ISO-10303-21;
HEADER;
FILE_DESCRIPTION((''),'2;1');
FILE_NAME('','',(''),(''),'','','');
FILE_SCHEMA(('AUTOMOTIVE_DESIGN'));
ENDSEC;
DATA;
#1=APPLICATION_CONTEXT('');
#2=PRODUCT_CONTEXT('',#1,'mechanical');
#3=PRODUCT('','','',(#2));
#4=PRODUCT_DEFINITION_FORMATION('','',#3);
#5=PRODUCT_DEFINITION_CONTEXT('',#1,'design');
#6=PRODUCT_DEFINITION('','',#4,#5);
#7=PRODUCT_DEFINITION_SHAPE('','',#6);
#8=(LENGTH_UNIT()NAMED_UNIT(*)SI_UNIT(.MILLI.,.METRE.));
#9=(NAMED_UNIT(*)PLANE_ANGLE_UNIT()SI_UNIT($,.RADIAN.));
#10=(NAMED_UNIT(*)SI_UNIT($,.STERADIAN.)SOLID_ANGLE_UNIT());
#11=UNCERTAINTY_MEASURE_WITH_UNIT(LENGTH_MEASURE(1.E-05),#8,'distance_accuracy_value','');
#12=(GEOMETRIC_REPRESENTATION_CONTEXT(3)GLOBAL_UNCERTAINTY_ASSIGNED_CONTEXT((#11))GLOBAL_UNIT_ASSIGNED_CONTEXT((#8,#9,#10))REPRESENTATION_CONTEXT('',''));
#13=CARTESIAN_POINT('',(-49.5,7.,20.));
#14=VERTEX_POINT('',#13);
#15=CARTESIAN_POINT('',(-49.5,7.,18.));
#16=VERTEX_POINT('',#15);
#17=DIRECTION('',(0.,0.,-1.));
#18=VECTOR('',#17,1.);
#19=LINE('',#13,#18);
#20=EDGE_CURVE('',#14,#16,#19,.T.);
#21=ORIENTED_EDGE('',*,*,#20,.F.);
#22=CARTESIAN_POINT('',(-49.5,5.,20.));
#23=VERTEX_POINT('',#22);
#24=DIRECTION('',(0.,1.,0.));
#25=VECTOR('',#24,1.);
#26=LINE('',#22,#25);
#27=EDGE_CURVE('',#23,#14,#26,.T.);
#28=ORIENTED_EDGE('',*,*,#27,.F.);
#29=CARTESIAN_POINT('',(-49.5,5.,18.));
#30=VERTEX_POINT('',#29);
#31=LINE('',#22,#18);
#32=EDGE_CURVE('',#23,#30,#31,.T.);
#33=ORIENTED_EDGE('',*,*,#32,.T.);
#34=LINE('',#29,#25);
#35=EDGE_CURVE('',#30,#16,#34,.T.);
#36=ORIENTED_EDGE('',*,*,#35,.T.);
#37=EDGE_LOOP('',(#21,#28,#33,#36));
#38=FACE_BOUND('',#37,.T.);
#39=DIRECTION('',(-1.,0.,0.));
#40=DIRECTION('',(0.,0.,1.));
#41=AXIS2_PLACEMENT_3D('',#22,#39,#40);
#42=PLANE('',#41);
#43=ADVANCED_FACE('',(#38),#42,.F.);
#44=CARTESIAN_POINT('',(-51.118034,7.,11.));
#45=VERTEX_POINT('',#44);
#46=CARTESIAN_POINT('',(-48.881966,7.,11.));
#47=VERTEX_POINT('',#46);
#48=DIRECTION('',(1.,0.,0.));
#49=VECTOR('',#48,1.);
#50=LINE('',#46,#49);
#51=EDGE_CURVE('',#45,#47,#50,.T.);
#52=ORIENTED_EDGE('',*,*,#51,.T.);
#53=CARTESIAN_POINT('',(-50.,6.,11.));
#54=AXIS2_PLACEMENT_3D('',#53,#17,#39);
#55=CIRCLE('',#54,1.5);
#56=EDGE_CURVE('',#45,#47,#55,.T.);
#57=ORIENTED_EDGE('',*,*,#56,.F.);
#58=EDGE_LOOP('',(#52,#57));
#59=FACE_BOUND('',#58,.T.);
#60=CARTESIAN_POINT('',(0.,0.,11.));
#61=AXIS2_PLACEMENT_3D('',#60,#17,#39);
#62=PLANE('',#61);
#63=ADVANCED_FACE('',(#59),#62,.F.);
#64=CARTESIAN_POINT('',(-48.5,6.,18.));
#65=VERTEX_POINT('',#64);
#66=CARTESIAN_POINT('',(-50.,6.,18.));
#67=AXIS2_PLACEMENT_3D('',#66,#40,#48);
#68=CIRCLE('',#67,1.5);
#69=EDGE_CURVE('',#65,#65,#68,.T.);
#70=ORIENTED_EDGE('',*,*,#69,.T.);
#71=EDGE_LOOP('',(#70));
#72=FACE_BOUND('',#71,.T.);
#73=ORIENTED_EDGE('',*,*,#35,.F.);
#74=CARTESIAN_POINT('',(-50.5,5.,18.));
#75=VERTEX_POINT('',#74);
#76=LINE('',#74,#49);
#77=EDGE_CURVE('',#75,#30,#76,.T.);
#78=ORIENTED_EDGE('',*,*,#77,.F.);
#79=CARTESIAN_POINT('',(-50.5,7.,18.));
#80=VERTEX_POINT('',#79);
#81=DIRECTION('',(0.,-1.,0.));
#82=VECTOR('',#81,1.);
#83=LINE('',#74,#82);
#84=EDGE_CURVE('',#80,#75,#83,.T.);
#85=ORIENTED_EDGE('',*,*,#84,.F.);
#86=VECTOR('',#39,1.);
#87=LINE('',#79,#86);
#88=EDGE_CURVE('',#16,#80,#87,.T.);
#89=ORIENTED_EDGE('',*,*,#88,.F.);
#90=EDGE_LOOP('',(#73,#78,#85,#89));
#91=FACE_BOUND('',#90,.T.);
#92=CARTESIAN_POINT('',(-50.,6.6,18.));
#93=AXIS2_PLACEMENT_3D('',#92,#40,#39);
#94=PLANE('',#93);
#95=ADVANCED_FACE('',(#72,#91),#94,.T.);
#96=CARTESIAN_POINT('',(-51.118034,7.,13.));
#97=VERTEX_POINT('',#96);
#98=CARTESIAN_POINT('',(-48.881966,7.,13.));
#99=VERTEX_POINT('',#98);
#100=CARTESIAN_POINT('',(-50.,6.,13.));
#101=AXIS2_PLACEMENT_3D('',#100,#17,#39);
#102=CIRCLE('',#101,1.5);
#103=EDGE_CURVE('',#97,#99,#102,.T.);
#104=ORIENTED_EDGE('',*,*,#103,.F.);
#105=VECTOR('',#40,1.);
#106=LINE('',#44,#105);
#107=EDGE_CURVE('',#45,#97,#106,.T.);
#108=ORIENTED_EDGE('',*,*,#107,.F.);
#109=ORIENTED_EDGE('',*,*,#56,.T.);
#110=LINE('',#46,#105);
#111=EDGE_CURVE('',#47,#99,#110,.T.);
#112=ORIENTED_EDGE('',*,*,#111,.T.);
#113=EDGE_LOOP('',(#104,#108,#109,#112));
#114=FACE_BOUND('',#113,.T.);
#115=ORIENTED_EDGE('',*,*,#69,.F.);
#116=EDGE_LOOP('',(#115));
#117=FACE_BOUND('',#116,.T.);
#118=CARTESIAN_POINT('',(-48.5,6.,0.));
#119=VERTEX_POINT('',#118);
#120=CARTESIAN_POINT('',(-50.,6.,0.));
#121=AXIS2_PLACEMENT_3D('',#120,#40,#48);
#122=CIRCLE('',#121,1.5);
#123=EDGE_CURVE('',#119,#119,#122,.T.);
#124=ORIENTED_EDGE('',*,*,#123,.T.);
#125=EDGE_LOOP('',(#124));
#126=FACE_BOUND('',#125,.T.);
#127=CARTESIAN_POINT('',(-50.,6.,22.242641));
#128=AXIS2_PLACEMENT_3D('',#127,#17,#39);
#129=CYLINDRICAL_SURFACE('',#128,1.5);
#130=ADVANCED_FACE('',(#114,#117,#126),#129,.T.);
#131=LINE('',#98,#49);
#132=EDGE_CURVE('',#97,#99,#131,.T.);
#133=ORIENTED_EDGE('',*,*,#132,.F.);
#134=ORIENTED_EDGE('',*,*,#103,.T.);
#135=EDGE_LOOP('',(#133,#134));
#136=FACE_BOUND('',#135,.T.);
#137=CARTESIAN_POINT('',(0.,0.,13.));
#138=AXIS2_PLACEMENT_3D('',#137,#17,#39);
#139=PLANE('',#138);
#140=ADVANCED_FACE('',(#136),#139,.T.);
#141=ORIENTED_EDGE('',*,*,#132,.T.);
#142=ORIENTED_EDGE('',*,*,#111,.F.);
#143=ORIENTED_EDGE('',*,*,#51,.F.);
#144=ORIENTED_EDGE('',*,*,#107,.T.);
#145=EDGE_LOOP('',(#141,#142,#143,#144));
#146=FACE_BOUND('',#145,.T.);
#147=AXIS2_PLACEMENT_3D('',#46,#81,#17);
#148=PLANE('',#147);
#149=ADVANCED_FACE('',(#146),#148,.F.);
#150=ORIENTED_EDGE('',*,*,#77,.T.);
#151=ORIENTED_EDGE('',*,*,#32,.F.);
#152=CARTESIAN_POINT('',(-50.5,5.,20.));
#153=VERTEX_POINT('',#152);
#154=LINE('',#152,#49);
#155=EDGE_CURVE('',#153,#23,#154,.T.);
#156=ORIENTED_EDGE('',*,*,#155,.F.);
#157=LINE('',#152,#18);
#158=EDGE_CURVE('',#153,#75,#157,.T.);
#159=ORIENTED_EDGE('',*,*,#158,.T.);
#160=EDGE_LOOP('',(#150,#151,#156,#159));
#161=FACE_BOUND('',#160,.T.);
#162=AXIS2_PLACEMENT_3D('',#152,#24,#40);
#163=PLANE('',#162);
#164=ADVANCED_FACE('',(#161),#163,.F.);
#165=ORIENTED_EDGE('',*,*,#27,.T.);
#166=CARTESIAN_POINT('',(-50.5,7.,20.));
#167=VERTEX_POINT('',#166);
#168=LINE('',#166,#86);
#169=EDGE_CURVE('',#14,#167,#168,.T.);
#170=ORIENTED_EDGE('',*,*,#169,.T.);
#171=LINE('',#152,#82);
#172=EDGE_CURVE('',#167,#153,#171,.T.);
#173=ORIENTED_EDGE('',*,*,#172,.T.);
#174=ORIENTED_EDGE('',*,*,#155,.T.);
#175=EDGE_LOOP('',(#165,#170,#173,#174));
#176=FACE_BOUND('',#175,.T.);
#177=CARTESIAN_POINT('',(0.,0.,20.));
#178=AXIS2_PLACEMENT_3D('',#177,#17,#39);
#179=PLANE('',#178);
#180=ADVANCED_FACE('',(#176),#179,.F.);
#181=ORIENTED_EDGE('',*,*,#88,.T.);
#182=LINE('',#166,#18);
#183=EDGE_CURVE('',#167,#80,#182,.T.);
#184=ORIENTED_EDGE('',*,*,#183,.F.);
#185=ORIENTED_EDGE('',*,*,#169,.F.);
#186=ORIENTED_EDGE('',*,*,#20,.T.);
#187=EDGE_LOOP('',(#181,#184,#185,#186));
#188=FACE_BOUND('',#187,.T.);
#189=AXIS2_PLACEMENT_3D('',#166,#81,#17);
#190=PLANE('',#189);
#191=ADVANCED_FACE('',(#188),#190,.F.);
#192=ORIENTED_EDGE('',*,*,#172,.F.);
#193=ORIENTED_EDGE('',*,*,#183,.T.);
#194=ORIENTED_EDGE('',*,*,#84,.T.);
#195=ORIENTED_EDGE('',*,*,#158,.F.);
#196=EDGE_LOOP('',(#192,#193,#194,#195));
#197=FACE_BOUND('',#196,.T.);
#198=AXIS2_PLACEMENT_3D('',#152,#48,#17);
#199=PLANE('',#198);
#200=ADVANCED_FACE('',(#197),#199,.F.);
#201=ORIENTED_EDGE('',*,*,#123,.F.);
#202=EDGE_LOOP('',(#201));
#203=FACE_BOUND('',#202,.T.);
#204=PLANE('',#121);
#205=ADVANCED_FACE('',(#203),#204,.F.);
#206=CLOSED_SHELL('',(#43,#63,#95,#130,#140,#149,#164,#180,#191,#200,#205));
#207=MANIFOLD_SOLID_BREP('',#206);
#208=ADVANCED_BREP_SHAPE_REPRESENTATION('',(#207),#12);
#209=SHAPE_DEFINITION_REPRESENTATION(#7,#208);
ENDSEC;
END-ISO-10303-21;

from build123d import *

# Parameters (mm, degrees)
SKETCH1_R           = 1.5
BOSS_EXTRUDE1_DEPTH = 18
SKETCH2_W           = 1
SKETCH2_H           = 2
BOSS_EXTRUDE2_DEPTH = 2
CUT_EXTRUDE1_START  = -5
SKETCH3_W           = 2.236067978
SKETCH3_H           = 1
CUT_EXTRUDE1_DEPTH  = 2


with BuildPart() as part:
    # Sketch1 → Boss-Extrude1 (new body)
    with BuildSketch(Plane.XY):
        with Locations((-50, 6)):
            Circle(SKETCH1_R)
    extrude(amount=BOSS_EXTRUDE1_DEPTH)

    # Sketch2 → Boss-Extrude2 (add)
    with BuildSketch(Plane.XY.offset(18)):
        with Locations((-50, 6)):
            Rectangle(SKETCH2_W, SKETCH2_H)
    extrude(amount=BOSS_EXTRUDE2_DEPTH)

    # Sketch3 → Cut-Extrude1 (cut)
    with BuildSketch(Plane.XY.offset(18).offset(CUT_EXTRUDE1_START)):
        with Locations((-50, 7.5)):
            Rectangle(SKETCH3_W, SKETCH3_H)
    extrude(amount=-CUT_EXTRUDE1_DEPTH, mode=Mode.SUBTRACT)


solid = part.part
